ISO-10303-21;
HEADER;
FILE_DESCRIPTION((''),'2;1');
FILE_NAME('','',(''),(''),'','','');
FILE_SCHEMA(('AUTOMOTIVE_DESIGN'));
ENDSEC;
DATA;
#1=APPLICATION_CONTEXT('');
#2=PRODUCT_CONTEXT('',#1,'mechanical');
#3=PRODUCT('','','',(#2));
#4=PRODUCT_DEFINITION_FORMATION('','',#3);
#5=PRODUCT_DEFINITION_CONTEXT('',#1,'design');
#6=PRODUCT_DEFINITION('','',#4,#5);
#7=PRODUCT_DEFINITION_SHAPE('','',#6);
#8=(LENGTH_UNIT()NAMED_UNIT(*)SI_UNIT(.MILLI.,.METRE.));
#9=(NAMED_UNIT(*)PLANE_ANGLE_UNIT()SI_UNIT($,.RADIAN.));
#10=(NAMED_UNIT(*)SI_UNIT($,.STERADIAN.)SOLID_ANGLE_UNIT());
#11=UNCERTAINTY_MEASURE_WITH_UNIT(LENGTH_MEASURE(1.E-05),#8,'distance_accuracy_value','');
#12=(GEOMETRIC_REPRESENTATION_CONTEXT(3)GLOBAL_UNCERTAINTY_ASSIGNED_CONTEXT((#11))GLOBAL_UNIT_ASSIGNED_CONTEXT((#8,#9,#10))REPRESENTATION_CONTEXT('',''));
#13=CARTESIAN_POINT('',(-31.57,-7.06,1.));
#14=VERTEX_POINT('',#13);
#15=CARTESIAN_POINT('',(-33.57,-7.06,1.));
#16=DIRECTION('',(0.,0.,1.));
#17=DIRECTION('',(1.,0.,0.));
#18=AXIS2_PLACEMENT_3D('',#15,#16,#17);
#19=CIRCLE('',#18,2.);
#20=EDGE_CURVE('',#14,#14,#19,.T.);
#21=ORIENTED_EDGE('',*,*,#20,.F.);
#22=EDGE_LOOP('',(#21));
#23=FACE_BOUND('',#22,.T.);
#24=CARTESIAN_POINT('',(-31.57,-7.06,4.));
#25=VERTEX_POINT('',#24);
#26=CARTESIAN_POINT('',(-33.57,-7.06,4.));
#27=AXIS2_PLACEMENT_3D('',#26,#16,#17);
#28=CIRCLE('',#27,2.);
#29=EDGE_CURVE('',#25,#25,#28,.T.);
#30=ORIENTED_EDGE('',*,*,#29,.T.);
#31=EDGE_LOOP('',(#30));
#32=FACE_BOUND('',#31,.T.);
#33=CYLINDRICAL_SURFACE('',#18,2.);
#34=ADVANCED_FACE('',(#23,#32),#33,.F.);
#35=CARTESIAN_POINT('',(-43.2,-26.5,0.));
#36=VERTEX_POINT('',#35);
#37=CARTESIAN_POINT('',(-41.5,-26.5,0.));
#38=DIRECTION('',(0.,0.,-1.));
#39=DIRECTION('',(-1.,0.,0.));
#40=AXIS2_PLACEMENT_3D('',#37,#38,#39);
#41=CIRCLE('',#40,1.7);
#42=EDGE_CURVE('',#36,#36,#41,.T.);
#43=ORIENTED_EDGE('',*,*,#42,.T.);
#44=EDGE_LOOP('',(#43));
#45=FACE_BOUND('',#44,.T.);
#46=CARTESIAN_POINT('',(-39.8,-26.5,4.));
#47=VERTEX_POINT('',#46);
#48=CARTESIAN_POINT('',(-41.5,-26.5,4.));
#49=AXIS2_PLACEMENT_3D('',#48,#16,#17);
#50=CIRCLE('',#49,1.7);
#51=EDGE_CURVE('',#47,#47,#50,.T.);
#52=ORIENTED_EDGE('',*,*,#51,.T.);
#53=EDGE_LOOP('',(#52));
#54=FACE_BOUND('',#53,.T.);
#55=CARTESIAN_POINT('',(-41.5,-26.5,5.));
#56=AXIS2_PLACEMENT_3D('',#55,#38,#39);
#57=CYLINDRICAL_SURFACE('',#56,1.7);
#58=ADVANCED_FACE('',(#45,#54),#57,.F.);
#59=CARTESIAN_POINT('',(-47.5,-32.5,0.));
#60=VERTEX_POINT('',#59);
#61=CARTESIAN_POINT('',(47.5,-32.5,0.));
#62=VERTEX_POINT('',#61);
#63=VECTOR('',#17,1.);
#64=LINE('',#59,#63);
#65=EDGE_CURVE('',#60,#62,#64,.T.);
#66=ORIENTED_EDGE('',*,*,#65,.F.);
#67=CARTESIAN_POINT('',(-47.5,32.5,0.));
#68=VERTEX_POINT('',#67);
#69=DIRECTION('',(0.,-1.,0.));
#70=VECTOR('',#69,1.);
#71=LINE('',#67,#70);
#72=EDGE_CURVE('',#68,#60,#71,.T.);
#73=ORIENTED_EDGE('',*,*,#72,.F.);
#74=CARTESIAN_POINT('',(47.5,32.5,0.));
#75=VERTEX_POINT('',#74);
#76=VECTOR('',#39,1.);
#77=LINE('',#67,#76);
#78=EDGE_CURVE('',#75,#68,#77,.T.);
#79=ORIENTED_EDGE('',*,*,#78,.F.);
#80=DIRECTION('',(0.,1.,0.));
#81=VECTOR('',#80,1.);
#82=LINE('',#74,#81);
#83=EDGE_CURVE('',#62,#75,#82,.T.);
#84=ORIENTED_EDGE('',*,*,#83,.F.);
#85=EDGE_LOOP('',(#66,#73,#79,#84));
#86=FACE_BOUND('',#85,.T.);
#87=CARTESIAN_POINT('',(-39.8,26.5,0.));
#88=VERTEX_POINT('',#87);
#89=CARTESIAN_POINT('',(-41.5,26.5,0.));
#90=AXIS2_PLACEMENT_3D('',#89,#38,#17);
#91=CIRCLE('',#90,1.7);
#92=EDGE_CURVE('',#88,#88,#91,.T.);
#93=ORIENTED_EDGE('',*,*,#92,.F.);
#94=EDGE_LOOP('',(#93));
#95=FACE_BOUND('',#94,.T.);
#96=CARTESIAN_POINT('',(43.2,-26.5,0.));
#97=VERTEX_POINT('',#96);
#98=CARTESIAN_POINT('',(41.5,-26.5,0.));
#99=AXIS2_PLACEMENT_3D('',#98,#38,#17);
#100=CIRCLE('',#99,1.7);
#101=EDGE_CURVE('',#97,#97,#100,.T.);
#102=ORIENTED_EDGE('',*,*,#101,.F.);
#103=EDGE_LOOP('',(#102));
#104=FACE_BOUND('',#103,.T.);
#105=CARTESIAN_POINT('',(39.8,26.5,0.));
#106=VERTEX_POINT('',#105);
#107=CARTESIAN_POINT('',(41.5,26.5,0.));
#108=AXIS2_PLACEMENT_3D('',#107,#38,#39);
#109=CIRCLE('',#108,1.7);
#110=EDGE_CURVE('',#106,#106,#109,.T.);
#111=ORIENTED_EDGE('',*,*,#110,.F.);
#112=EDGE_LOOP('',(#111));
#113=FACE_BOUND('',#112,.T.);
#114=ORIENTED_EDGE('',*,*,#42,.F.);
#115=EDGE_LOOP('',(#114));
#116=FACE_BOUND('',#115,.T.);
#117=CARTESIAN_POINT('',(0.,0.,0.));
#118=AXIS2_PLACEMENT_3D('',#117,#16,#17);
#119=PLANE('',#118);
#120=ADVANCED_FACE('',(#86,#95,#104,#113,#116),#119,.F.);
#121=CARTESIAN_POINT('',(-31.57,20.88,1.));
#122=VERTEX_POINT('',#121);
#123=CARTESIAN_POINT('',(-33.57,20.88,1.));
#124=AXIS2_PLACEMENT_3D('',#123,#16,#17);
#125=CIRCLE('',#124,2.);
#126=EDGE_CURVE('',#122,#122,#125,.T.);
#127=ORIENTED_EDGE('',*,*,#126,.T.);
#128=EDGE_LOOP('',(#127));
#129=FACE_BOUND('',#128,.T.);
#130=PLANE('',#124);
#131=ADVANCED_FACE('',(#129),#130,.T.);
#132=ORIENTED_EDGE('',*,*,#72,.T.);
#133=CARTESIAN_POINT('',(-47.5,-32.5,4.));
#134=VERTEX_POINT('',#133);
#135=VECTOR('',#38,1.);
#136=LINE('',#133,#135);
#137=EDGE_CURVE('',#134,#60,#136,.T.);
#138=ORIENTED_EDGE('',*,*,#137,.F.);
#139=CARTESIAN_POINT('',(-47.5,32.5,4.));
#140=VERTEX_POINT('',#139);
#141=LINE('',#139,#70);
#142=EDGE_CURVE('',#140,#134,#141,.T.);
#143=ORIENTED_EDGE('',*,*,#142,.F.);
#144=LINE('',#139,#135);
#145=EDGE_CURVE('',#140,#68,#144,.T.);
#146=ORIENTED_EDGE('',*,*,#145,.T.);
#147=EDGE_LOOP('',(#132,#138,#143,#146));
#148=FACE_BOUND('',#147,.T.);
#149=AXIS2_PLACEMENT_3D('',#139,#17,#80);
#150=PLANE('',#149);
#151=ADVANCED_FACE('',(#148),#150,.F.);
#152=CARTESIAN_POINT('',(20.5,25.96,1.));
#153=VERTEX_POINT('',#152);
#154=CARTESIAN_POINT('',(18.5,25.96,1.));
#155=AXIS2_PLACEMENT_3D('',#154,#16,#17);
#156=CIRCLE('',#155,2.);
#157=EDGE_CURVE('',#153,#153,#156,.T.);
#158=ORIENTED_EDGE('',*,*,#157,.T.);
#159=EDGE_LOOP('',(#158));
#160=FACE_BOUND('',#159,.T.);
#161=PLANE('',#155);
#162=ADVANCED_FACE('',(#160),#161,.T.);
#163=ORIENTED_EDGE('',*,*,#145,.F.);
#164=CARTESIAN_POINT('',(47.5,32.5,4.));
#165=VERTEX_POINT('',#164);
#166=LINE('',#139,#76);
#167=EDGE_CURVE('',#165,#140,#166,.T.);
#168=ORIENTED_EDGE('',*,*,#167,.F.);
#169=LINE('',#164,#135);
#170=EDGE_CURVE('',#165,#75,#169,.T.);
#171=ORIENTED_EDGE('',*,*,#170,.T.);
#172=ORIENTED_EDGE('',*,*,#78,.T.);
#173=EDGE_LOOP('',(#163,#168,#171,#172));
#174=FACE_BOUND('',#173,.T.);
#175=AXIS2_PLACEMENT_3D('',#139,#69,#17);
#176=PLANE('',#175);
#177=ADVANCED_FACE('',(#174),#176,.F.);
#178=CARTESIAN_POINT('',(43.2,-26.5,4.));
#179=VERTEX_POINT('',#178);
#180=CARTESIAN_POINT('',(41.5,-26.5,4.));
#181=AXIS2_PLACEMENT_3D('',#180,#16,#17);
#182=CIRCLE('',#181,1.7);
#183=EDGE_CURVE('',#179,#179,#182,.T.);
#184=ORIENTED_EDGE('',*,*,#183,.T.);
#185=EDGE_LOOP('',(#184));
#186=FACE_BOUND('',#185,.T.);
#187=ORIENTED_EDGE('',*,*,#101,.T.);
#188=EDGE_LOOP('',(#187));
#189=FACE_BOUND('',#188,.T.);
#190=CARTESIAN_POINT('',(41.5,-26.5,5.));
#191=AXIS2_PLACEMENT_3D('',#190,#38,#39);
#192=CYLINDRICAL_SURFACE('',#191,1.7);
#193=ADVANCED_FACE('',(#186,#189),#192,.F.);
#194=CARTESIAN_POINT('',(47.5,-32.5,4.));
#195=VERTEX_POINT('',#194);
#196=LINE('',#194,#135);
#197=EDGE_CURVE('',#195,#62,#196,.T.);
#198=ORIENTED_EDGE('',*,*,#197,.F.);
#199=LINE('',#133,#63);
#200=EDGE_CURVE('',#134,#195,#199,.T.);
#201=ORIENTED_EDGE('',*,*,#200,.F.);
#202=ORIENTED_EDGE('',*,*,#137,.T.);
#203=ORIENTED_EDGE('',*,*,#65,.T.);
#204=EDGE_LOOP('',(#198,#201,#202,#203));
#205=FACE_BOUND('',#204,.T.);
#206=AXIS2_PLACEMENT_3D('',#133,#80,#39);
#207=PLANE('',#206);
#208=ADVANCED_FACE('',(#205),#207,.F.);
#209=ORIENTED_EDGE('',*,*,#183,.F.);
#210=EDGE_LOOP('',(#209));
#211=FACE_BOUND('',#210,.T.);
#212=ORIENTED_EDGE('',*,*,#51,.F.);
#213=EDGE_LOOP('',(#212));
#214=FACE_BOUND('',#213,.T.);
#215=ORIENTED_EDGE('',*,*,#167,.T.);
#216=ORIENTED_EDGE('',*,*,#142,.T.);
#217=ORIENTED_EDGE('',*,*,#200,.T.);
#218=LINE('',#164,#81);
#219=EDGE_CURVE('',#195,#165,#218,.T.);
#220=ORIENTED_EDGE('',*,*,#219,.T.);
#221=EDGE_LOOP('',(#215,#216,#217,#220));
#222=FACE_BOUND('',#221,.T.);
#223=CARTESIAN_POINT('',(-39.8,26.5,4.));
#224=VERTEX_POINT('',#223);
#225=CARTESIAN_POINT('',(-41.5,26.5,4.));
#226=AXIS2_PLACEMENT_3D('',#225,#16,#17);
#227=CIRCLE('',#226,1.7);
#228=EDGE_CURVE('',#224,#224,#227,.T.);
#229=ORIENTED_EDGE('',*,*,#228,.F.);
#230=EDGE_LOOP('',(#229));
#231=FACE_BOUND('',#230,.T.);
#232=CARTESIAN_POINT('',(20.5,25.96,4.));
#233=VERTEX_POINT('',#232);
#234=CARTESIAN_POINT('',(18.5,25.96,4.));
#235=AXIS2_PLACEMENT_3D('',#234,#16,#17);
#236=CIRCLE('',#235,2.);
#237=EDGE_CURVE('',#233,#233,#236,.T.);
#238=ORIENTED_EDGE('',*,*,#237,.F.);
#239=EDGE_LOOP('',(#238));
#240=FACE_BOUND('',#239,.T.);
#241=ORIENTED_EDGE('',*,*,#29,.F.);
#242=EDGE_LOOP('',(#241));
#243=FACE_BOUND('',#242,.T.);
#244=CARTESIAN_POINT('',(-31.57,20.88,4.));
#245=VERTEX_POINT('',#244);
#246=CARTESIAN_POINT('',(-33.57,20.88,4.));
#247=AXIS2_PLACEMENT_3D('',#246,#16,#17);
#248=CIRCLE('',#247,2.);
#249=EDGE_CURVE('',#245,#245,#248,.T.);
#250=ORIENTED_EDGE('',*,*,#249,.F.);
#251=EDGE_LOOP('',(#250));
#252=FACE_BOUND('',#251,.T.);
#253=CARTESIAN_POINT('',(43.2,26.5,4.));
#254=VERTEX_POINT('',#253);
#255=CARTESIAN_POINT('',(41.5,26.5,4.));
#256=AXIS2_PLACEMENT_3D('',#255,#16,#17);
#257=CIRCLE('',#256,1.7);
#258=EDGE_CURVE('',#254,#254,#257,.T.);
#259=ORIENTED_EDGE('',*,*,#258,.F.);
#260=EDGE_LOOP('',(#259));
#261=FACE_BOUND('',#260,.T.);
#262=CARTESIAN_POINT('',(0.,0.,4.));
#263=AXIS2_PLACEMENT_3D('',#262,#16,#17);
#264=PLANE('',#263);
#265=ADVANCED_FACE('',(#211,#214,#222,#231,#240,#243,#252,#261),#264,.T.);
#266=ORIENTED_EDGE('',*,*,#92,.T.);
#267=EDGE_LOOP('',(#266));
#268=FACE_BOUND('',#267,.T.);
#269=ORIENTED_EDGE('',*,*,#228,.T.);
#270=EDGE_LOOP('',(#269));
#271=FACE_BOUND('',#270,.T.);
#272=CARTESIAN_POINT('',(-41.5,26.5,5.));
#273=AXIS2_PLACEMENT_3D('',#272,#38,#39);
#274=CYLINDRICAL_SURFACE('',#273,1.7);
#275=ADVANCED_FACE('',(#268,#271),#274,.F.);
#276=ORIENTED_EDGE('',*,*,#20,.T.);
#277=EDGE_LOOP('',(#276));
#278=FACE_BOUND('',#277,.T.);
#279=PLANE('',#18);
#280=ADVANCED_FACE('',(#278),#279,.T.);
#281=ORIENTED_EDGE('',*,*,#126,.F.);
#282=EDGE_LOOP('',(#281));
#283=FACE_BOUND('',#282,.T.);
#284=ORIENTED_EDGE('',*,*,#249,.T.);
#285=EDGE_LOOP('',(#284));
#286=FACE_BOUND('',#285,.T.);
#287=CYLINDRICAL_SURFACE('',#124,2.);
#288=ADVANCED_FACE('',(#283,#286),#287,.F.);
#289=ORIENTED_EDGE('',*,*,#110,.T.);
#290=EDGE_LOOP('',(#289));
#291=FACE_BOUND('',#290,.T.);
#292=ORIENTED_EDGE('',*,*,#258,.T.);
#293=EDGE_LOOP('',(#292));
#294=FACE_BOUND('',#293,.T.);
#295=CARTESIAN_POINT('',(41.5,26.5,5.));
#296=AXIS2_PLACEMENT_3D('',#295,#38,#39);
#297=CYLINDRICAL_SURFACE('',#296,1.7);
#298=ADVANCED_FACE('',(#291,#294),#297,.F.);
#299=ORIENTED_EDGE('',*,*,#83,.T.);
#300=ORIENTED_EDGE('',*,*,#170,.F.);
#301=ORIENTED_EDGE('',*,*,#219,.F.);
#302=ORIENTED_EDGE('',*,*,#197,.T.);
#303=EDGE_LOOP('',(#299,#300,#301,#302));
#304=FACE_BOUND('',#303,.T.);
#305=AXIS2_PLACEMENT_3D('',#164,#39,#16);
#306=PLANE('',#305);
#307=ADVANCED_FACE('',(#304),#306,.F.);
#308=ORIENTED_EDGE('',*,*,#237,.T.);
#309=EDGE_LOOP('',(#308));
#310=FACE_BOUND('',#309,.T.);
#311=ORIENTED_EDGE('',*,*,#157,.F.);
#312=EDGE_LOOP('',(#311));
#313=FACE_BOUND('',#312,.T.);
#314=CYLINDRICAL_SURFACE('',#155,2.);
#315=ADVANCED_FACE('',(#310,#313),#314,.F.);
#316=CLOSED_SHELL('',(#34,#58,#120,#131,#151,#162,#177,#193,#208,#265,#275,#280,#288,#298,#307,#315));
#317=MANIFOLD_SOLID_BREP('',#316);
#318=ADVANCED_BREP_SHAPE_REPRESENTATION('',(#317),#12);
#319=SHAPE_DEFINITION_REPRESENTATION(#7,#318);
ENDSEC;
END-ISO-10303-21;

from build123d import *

# Parameters (mm, degrees)
ESQUISSE1_W             = 95
ESQUISSE1_H             = 65
BOSS_EXTRU_1_DEPTH      = 4
ESQUISSE2_R             = 1.7
ENL_V_MAT_EXTRU_1_DEPTH = 5
ESQUISSE3_R             = 2
ENL_V_MAT_EXTRU_2_DEPTH = 3


with BuildPart() as part:
    # Esquisse1 → Boss.-Extru.1 (new body)
    with BuildSketch(Plane.XY):
        Rectangle(ESQUISSE1_W, ESQUISSE1_H)
    extrude(amount=BOSS_EXTRU_1_DEPTH)

    # Esquisse2 → Enlèv. mat.-Extru.1 (cut)
    with BuildSketch(Plane(origin=(0, 0, 0), x_dir=(-1, 0, 0), z_dir=(0, 0, -1))):
        with Locations((-41.5, 26.5)):
            Circle(ESQUISSE2_R)
        with Locations(Location((41.5, 26.5, 0), (0, 0, 180))):
            Circle(ESQUISSE2_R)
        with Locations(Location((-41.5, -26.5, 0), (0, 0, 180))):
            Circle(ESQUISSE2_R)
        with Locations((41.5, -26.5)):
            Circle(ESQUISSE2_R)
    extrude(amount=-ENL_V_MAT_EXTRU_1_DEPTH, mode=Mode.SUBTRACT)

    # Esquisse3 → Enlèv. mat.-Extru.2 (cut)
    with BuildSketch(Plane.XY.offset(4)):
        with Locations((18.5, 25.96)):
            Circle(ESQUISSE3_R)
        with Locations((-33.57, 20.88)):
            Circle(ESQUISSE3_R)
        with Locations((-33.57, -7.06)):
            Circle(ESQUISSE3_R)
    extrude(amount=-ENL_V_MAT_EXTRU_2_DEPTH, mode=Mode.SUBTRACT)


solid = part.part
